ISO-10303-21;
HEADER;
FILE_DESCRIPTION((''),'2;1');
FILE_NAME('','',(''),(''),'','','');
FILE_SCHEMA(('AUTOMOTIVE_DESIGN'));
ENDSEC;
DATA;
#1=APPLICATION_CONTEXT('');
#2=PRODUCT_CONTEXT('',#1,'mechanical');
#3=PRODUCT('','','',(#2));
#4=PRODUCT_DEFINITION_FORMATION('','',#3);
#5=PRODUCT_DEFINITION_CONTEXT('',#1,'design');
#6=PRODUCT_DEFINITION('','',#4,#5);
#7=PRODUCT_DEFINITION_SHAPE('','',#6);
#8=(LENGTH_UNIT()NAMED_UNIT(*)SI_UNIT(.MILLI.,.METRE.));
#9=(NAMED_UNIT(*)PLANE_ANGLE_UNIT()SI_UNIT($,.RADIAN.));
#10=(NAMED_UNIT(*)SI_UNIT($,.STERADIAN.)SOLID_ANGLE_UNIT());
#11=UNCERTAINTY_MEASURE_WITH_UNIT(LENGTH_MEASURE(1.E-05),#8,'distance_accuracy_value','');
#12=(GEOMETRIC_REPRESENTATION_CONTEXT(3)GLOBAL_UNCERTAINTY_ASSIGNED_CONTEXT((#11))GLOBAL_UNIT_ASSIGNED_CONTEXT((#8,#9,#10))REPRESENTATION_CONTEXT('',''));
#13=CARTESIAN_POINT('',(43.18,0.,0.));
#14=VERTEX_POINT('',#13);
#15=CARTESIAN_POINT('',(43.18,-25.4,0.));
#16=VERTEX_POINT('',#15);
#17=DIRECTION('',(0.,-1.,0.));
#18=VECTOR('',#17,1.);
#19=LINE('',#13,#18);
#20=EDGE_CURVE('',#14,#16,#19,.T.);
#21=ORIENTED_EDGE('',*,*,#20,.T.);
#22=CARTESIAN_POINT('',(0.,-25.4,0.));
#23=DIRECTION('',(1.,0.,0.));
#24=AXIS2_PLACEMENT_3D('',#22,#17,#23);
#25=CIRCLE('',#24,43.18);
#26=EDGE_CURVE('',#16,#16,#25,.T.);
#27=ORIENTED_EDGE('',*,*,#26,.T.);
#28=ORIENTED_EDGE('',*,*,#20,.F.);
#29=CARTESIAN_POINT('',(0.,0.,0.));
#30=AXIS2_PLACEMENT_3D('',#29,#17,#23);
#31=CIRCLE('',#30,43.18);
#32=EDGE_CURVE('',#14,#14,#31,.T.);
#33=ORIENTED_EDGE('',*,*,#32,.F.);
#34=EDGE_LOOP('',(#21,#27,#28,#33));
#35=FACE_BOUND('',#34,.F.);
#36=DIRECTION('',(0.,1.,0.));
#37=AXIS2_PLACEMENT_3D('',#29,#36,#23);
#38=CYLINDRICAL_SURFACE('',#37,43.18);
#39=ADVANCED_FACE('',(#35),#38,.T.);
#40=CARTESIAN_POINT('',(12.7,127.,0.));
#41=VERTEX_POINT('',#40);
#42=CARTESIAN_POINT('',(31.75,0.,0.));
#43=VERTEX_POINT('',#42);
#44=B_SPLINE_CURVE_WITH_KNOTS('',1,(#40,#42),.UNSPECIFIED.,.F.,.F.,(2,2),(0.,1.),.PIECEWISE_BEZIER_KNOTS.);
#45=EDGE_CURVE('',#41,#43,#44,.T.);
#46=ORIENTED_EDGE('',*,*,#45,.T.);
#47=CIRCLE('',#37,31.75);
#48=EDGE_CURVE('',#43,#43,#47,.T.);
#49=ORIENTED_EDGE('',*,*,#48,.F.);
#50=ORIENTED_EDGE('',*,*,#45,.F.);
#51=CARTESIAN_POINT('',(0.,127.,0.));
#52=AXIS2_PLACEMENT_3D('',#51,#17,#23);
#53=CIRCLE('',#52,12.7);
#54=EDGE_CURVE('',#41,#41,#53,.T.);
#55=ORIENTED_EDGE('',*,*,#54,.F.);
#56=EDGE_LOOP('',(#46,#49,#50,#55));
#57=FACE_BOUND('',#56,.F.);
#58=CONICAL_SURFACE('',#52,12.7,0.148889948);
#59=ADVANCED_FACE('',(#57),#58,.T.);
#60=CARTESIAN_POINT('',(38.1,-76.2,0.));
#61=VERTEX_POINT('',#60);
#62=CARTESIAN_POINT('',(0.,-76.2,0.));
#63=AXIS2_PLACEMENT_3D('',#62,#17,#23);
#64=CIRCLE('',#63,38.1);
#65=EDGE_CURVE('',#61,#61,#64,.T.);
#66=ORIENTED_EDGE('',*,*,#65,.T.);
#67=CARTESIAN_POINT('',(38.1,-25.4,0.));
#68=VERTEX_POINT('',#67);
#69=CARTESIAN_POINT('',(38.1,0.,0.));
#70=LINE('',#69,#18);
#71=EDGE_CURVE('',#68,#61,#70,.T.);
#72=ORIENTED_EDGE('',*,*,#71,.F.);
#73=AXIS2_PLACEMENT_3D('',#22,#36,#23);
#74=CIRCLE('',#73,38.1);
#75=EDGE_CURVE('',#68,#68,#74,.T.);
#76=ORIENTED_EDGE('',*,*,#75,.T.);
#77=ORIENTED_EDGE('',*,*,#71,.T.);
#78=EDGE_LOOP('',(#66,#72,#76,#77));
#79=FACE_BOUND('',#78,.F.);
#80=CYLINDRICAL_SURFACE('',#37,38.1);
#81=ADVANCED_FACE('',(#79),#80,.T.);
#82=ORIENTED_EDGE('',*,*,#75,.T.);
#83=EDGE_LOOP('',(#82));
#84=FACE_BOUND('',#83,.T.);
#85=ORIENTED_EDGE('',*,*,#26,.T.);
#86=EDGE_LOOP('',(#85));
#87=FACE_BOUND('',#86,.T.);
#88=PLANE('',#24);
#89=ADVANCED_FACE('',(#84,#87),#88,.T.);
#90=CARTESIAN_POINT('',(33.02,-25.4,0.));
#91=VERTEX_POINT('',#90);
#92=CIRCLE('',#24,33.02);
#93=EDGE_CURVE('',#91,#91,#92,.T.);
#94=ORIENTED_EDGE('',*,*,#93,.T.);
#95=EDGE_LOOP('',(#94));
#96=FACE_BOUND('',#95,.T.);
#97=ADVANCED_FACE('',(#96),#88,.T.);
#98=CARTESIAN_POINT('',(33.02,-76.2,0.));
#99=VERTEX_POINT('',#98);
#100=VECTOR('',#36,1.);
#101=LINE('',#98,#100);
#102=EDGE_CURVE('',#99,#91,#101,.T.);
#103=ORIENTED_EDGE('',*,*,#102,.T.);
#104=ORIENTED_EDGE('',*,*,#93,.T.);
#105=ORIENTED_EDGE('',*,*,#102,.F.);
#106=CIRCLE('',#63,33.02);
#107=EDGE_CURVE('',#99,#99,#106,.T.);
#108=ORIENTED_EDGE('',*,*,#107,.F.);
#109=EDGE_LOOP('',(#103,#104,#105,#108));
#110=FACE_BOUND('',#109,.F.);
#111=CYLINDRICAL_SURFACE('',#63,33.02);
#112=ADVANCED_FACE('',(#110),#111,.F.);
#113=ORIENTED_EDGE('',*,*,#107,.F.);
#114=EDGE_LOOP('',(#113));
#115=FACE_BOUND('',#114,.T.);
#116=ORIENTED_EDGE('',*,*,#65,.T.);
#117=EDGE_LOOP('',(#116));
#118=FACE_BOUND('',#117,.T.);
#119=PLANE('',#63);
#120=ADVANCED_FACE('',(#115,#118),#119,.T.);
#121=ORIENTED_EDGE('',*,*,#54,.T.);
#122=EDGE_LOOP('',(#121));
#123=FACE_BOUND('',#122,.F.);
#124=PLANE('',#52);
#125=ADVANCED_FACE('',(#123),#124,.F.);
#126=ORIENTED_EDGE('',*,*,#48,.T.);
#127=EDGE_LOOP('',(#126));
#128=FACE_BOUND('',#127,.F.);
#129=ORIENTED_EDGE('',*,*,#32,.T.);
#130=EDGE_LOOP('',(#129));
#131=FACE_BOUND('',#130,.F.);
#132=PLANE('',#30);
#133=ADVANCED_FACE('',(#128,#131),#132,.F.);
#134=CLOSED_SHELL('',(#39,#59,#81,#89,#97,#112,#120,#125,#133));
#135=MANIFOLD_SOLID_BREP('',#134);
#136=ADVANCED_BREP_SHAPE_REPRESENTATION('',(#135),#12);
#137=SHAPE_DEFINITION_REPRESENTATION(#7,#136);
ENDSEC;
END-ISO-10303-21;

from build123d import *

# Parameters (mm, degrees)
F0_R      = 38.1
F1_DEPTH  = 76.2
F2_R      = 33.02
F3_DEPTH  = 69.85
F5_R      = 12.7
F6_DEPTH  = 127
F6_FACE_R = 12.7
F4_R      = 31.75
F8_R      = 43.18
F9_DEPTH  = 25.4


with BuildPart() as f1:
    # F0 (on Front) → F1 (new body)
    with BuildSketch(Plane.XZ):
        Circle(F0_R)
    extrude(amount=F1_DEPTH)

    # F2 (on face) → F3 (cut)
    with BuildSketch(Plane.XZ.offset(76.2)):
        Circle(F2_R)
    extrude(amount=-F3_DEPTH, mode=Mode.SUBTRACT)

    # F5 (on Front) → F6 (join)
    with BuildSketch(Plane.XZ):
        Circle(F5_R)
    extrude(amount=-F6_DEPTH)

    # F6_face (on face) → F7 section 0
    with BuildSketch(Plane(origin=(0, 127, 0), x_dir=(1, 0, 0), z_dir=(0, 1, 0))):
        Circle(F6_FACE_R)
    # F4 (on face) → F7 section 1
    with BuildSketch(Plane(origin=(0, 0, 0), x_dir=(-1, 0, 0), z_dir=(0, 1, 0))):
        Circle(F4_R)
    loft()

    # F8 (on Front) → F9 (join)
    with BuildSketch(Plane.XZ):
        Circle(F8_R)
    extrude(amount=F9_DEPTH)


solid = f1.part
